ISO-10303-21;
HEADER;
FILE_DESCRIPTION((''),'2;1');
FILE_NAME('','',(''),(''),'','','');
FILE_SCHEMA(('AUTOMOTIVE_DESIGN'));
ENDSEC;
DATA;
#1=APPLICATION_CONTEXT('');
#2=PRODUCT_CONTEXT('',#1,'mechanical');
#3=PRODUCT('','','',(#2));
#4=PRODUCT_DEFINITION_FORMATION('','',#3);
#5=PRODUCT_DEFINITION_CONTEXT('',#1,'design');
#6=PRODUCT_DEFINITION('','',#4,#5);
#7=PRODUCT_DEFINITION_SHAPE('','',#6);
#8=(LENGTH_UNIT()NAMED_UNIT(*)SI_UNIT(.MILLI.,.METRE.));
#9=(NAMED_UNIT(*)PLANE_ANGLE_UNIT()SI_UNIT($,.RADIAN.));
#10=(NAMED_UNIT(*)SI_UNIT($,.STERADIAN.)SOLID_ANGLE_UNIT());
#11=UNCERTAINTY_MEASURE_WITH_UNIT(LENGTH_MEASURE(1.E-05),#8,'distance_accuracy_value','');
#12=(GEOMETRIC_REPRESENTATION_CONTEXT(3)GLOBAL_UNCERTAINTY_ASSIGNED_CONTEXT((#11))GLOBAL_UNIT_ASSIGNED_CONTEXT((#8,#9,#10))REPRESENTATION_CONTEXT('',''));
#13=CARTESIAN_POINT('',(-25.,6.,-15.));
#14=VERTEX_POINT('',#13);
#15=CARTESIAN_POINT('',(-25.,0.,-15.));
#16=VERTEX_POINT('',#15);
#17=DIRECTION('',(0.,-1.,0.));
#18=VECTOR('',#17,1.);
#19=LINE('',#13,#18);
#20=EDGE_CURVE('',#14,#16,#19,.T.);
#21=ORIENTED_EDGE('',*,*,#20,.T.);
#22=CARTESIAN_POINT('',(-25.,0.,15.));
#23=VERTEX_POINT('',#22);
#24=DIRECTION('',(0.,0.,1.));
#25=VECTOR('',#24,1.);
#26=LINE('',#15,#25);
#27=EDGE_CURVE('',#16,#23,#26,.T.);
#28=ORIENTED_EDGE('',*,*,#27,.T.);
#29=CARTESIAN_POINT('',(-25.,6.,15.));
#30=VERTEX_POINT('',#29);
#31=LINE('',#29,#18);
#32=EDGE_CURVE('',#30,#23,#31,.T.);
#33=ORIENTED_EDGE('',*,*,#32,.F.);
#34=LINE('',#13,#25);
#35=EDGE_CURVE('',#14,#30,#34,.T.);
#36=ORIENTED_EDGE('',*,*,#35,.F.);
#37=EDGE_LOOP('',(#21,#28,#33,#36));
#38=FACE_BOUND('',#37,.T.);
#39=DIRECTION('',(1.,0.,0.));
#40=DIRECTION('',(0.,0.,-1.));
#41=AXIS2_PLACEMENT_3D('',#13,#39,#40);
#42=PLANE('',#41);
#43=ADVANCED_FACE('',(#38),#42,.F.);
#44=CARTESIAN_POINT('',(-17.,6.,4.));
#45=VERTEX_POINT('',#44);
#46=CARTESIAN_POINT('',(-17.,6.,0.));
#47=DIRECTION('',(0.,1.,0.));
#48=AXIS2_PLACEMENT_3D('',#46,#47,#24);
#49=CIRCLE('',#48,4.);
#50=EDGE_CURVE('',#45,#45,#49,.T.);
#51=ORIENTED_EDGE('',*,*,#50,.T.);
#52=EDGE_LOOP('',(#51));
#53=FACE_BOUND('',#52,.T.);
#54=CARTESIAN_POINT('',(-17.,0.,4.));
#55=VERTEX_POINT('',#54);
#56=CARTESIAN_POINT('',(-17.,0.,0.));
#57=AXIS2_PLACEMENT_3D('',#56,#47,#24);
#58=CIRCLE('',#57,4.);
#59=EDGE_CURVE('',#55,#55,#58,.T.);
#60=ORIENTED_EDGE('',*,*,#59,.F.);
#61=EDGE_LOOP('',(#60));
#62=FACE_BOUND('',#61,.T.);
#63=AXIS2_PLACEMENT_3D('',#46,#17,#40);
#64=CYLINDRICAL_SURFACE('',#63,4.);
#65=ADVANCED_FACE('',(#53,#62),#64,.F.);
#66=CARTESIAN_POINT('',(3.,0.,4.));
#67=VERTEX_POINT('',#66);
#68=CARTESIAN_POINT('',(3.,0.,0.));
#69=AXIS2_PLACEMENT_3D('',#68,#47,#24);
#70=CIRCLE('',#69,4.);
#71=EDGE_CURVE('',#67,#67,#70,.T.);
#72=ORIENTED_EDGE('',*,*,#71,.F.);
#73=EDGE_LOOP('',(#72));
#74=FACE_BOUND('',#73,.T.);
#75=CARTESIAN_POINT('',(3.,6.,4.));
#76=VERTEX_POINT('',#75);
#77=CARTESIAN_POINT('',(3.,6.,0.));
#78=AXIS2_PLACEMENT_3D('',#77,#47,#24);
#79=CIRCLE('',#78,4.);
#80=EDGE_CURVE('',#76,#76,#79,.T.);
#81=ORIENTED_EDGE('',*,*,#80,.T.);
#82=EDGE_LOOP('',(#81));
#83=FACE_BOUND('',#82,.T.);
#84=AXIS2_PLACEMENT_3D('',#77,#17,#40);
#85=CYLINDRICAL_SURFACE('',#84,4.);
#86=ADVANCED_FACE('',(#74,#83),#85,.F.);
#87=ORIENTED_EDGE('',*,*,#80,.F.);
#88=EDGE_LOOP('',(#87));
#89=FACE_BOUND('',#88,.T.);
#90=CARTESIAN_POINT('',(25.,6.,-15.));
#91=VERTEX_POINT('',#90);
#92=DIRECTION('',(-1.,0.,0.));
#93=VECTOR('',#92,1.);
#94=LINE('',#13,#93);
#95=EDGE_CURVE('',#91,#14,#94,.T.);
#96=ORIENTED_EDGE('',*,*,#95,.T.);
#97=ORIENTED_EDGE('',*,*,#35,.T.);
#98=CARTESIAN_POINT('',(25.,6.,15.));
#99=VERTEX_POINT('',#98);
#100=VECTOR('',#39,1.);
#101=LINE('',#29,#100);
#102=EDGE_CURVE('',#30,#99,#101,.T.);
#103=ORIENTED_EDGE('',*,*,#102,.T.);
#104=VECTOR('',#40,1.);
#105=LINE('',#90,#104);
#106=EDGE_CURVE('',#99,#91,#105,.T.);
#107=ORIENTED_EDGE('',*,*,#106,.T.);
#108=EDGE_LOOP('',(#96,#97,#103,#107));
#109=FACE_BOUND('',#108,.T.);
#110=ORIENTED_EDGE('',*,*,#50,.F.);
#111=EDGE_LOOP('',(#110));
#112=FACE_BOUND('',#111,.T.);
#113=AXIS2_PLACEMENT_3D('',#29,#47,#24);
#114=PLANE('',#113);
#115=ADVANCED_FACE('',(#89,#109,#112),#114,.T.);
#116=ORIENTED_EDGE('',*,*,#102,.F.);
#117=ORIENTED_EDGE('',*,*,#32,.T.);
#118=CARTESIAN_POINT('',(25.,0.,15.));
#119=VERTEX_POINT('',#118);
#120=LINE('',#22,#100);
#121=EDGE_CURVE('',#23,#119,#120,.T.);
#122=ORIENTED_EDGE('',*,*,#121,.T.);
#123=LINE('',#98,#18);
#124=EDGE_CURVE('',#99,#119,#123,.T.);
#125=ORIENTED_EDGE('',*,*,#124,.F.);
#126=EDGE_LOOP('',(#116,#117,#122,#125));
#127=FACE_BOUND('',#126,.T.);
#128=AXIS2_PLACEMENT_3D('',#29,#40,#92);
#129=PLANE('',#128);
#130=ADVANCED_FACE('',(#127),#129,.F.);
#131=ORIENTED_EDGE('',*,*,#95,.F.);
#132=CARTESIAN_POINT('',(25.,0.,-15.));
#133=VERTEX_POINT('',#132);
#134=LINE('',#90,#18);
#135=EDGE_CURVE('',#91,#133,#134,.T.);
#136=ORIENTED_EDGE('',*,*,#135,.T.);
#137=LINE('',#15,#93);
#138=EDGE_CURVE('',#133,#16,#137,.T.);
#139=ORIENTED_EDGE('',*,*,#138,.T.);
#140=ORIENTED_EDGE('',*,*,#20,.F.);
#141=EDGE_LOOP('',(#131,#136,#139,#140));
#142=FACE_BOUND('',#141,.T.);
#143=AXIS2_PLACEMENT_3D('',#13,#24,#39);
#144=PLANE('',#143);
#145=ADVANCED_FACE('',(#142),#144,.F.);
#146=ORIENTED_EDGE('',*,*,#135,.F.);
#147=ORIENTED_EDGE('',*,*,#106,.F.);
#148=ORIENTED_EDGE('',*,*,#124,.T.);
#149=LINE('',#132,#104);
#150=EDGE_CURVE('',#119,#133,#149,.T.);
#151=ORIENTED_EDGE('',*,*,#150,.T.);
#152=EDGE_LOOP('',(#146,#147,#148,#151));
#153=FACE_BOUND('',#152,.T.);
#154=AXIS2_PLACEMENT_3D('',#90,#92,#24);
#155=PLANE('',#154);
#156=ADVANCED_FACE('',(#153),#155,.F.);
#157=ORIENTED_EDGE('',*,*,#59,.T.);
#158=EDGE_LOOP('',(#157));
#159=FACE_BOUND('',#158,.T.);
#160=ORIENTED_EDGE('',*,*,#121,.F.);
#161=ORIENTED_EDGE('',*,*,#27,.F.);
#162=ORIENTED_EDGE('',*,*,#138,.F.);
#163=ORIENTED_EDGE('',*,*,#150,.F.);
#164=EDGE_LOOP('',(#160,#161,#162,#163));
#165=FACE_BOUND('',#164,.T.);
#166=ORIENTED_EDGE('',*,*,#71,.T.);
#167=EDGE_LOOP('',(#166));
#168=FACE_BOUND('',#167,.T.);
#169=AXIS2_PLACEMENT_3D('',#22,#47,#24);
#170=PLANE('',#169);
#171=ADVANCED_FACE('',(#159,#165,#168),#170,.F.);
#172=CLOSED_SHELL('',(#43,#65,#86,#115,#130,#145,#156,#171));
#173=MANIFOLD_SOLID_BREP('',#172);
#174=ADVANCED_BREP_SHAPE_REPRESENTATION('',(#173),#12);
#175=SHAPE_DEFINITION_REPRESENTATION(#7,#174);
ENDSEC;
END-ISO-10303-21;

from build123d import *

# Parameters (mm, degrees)
SKETCH_2_W      = 50
SKETCH_2_H      = 30
SKETCH_2_R      = 4
EXTRUDE_1_DEPTH = 6


with BuildPart() as part:
    # Эскиз2 → Бобышка-Вытянуть1 (new body)
    with BuildSketch(Plane(origin=(0, 0, 0), x_dir=(1, 0, 0), z_dir=(0, 1, 0))):
        Rectangle(SKETCH_2_W, SKETCH_2_H)
        with Locations((3, 0)):
            Circle(SKETCH_2_R, mode=Mode.SUBTRACT)
        with Locations((-17, 0)):
            Circle(SKETCH_2_R, mode=Mode.SUBTRACT)
    extrude(amount=EXTRUDE_1_DEPTH)


solid = part.part
